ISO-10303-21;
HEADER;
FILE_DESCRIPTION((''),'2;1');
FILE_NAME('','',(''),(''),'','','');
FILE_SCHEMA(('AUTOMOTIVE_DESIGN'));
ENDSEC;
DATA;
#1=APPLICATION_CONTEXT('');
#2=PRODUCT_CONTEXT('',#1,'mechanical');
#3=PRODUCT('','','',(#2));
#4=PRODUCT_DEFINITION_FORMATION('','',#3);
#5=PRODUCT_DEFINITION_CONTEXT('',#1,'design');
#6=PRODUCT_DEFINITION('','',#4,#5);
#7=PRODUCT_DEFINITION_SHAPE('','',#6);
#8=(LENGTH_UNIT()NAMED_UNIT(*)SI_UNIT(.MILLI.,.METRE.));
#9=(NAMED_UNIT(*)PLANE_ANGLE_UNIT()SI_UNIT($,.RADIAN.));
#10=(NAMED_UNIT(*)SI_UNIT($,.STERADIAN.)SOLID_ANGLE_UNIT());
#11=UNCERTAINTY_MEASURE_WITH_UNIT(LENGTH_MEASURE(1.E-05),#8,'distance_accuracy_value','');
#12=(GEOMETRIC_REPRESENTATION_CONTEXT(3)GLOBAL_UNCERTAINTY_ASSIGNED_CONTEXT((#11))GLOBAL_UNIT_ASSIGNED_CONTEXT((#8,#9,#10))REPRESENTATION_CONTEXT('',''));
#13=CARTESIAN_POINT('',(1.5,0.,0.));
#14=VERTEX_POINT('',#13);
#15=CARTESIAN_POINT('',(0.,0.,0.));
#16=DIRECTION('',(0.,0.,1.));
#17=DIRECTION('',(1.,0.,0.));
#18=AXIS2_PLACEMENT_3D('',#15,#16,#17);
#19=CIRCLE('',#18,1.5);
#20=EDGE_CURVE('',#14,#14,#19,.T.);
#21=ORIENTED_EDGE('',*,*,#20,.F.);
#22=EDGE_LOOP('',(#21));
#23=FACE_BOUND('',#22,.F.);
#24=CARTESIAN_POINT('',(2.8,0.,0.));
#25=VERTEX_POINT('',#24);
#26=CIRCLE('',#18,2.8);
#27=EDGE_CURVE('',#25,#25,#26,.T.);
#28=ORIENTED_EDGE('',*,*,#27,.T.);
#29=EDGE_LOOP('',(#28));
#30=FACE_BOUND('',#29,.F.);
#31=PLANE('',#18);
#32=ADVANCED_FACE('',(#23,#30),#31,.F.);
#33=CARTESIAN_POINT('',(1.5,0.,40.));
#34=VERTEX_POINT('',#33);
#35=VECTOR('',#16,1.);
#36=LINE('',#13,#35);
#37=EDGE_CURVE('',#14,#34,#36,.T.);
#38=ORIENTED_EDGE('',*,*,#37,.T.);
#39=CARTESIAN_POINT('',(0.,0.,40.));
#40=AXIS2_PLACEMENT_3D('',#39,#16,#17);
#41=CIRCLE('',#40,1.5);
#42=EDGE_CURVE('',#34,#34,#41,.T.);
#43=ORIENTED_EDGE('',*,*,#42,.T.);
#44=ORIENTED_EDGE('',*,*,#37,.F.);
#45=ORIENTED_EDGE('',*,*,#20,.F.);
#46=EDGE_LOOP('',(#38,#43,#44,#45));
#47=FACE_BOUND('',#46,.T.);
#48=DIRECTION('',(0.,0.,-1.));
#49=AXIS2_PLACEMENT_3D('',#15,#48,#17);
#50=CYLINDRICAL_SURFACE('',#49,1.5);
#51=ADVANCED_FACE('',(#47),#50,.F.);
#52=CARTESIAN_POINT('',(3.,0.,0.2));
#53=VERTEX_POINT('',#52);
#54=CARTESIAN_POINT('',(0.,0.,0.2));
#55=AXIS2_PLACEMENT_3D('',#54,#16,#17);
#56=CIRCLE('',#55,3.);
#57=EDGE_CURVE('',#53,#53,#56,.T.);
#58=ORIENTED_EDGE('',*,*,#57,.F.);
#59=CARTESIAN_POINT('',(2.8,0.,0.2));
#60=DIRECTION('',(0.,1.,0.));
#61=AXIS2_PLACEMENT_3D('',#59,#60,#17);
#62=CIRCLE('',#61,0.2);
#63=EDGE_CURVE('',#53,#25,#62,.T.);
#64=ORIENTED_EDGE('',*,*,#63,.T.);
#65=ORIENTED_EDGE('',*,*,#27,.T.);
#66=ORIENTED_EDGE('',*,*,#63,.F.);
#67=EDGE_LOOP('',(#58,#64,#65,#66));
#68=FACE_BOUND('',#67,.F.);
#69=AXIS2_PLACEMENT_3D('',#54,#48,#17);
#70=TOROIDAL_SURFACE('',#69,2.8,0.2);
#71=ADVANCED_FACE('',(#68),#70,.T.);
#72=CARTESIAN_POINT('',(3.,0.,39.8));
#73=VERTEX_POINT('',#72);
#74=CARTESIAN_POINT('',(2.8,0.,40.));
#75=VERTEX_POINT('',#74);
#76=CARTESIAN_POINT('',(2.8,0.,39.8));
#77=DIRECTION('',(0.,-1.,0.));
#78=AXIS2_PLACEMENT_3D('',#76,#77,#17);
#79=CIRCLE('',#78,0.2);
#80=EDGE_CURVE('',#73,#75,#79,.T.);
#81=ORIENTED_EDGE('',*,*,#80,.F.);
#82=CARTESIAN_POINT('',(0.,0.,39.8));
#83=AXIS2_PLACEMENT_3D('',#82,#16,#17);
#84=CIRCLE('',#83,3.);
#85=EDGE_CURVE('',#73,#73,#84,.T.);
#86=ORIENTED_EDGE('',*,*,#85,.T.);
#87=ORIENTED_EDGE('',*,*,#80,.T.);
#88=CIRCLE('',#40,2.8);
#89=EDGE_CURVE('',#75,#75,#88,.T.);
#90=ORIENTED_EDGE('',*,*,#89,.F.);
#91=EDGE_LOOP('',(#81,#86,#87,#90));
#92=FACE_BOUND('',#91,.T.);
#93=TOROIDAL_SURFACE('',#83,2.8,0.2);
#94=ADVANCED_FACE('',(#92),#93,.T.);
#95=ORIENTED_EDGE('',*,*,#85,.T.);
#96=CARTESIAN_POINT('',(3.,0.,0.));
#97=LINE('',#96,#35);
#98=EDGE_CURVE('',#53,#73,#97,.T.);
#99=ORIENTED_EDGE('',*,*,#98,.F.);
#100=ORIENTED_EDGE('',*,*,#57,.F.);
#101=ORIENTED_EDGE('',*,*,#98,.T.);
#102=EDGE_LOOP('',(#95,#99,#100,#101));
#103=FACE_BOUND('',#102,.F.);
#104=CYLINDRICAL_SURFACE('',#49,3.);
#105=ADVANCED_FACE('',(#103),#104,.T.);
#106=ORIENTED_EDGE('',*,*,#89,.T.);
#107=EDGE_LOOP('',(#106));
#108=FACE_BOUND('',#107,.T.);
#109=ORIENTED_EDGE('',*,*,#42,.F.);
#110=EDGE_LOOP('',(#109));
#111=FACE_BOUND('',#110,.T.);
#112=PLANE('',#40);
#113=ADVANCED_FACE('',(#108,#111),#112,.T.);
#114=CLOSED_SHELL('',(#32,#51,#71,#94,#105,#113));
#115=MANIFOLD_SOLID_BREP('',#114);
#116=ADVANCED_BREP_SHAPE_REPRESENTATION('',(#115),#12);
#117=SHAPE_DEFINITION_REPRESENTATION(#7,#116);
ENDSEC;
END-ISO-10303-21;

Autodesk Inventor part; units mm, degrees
ref_plane "YZ Plane" through (0, 0, 0) normal (1, 0, 0) x (0, 1, 0)
ref_plane "XZ Plane" through (0, 0, 0) normal (0, 1, 0) x (-1, 0, 0)
ref_plane "XY Plane" through (0, 0, 0) normal (0, 0, 1) x (1, 0, 0)
sketch "Sketch1" plane through (0, 0, 0) normal (0, 0, 1) x (1, 0, 0)
  circle A0 centre (0, 0) radius 1.5
  circle A1 centre (0, 0) radius 3
  dimension "M3" = 3
  dimension "D" = 6
extrude "Extrusion3" add sketch "Sketch1" along normal blind 40
fillet "Fillet2" radius 0.2 2 edges at (-3, 0, 0) (-3, 0, 40)
properties part number "espaçador_M3_L40" material "Aluminum 6061"
